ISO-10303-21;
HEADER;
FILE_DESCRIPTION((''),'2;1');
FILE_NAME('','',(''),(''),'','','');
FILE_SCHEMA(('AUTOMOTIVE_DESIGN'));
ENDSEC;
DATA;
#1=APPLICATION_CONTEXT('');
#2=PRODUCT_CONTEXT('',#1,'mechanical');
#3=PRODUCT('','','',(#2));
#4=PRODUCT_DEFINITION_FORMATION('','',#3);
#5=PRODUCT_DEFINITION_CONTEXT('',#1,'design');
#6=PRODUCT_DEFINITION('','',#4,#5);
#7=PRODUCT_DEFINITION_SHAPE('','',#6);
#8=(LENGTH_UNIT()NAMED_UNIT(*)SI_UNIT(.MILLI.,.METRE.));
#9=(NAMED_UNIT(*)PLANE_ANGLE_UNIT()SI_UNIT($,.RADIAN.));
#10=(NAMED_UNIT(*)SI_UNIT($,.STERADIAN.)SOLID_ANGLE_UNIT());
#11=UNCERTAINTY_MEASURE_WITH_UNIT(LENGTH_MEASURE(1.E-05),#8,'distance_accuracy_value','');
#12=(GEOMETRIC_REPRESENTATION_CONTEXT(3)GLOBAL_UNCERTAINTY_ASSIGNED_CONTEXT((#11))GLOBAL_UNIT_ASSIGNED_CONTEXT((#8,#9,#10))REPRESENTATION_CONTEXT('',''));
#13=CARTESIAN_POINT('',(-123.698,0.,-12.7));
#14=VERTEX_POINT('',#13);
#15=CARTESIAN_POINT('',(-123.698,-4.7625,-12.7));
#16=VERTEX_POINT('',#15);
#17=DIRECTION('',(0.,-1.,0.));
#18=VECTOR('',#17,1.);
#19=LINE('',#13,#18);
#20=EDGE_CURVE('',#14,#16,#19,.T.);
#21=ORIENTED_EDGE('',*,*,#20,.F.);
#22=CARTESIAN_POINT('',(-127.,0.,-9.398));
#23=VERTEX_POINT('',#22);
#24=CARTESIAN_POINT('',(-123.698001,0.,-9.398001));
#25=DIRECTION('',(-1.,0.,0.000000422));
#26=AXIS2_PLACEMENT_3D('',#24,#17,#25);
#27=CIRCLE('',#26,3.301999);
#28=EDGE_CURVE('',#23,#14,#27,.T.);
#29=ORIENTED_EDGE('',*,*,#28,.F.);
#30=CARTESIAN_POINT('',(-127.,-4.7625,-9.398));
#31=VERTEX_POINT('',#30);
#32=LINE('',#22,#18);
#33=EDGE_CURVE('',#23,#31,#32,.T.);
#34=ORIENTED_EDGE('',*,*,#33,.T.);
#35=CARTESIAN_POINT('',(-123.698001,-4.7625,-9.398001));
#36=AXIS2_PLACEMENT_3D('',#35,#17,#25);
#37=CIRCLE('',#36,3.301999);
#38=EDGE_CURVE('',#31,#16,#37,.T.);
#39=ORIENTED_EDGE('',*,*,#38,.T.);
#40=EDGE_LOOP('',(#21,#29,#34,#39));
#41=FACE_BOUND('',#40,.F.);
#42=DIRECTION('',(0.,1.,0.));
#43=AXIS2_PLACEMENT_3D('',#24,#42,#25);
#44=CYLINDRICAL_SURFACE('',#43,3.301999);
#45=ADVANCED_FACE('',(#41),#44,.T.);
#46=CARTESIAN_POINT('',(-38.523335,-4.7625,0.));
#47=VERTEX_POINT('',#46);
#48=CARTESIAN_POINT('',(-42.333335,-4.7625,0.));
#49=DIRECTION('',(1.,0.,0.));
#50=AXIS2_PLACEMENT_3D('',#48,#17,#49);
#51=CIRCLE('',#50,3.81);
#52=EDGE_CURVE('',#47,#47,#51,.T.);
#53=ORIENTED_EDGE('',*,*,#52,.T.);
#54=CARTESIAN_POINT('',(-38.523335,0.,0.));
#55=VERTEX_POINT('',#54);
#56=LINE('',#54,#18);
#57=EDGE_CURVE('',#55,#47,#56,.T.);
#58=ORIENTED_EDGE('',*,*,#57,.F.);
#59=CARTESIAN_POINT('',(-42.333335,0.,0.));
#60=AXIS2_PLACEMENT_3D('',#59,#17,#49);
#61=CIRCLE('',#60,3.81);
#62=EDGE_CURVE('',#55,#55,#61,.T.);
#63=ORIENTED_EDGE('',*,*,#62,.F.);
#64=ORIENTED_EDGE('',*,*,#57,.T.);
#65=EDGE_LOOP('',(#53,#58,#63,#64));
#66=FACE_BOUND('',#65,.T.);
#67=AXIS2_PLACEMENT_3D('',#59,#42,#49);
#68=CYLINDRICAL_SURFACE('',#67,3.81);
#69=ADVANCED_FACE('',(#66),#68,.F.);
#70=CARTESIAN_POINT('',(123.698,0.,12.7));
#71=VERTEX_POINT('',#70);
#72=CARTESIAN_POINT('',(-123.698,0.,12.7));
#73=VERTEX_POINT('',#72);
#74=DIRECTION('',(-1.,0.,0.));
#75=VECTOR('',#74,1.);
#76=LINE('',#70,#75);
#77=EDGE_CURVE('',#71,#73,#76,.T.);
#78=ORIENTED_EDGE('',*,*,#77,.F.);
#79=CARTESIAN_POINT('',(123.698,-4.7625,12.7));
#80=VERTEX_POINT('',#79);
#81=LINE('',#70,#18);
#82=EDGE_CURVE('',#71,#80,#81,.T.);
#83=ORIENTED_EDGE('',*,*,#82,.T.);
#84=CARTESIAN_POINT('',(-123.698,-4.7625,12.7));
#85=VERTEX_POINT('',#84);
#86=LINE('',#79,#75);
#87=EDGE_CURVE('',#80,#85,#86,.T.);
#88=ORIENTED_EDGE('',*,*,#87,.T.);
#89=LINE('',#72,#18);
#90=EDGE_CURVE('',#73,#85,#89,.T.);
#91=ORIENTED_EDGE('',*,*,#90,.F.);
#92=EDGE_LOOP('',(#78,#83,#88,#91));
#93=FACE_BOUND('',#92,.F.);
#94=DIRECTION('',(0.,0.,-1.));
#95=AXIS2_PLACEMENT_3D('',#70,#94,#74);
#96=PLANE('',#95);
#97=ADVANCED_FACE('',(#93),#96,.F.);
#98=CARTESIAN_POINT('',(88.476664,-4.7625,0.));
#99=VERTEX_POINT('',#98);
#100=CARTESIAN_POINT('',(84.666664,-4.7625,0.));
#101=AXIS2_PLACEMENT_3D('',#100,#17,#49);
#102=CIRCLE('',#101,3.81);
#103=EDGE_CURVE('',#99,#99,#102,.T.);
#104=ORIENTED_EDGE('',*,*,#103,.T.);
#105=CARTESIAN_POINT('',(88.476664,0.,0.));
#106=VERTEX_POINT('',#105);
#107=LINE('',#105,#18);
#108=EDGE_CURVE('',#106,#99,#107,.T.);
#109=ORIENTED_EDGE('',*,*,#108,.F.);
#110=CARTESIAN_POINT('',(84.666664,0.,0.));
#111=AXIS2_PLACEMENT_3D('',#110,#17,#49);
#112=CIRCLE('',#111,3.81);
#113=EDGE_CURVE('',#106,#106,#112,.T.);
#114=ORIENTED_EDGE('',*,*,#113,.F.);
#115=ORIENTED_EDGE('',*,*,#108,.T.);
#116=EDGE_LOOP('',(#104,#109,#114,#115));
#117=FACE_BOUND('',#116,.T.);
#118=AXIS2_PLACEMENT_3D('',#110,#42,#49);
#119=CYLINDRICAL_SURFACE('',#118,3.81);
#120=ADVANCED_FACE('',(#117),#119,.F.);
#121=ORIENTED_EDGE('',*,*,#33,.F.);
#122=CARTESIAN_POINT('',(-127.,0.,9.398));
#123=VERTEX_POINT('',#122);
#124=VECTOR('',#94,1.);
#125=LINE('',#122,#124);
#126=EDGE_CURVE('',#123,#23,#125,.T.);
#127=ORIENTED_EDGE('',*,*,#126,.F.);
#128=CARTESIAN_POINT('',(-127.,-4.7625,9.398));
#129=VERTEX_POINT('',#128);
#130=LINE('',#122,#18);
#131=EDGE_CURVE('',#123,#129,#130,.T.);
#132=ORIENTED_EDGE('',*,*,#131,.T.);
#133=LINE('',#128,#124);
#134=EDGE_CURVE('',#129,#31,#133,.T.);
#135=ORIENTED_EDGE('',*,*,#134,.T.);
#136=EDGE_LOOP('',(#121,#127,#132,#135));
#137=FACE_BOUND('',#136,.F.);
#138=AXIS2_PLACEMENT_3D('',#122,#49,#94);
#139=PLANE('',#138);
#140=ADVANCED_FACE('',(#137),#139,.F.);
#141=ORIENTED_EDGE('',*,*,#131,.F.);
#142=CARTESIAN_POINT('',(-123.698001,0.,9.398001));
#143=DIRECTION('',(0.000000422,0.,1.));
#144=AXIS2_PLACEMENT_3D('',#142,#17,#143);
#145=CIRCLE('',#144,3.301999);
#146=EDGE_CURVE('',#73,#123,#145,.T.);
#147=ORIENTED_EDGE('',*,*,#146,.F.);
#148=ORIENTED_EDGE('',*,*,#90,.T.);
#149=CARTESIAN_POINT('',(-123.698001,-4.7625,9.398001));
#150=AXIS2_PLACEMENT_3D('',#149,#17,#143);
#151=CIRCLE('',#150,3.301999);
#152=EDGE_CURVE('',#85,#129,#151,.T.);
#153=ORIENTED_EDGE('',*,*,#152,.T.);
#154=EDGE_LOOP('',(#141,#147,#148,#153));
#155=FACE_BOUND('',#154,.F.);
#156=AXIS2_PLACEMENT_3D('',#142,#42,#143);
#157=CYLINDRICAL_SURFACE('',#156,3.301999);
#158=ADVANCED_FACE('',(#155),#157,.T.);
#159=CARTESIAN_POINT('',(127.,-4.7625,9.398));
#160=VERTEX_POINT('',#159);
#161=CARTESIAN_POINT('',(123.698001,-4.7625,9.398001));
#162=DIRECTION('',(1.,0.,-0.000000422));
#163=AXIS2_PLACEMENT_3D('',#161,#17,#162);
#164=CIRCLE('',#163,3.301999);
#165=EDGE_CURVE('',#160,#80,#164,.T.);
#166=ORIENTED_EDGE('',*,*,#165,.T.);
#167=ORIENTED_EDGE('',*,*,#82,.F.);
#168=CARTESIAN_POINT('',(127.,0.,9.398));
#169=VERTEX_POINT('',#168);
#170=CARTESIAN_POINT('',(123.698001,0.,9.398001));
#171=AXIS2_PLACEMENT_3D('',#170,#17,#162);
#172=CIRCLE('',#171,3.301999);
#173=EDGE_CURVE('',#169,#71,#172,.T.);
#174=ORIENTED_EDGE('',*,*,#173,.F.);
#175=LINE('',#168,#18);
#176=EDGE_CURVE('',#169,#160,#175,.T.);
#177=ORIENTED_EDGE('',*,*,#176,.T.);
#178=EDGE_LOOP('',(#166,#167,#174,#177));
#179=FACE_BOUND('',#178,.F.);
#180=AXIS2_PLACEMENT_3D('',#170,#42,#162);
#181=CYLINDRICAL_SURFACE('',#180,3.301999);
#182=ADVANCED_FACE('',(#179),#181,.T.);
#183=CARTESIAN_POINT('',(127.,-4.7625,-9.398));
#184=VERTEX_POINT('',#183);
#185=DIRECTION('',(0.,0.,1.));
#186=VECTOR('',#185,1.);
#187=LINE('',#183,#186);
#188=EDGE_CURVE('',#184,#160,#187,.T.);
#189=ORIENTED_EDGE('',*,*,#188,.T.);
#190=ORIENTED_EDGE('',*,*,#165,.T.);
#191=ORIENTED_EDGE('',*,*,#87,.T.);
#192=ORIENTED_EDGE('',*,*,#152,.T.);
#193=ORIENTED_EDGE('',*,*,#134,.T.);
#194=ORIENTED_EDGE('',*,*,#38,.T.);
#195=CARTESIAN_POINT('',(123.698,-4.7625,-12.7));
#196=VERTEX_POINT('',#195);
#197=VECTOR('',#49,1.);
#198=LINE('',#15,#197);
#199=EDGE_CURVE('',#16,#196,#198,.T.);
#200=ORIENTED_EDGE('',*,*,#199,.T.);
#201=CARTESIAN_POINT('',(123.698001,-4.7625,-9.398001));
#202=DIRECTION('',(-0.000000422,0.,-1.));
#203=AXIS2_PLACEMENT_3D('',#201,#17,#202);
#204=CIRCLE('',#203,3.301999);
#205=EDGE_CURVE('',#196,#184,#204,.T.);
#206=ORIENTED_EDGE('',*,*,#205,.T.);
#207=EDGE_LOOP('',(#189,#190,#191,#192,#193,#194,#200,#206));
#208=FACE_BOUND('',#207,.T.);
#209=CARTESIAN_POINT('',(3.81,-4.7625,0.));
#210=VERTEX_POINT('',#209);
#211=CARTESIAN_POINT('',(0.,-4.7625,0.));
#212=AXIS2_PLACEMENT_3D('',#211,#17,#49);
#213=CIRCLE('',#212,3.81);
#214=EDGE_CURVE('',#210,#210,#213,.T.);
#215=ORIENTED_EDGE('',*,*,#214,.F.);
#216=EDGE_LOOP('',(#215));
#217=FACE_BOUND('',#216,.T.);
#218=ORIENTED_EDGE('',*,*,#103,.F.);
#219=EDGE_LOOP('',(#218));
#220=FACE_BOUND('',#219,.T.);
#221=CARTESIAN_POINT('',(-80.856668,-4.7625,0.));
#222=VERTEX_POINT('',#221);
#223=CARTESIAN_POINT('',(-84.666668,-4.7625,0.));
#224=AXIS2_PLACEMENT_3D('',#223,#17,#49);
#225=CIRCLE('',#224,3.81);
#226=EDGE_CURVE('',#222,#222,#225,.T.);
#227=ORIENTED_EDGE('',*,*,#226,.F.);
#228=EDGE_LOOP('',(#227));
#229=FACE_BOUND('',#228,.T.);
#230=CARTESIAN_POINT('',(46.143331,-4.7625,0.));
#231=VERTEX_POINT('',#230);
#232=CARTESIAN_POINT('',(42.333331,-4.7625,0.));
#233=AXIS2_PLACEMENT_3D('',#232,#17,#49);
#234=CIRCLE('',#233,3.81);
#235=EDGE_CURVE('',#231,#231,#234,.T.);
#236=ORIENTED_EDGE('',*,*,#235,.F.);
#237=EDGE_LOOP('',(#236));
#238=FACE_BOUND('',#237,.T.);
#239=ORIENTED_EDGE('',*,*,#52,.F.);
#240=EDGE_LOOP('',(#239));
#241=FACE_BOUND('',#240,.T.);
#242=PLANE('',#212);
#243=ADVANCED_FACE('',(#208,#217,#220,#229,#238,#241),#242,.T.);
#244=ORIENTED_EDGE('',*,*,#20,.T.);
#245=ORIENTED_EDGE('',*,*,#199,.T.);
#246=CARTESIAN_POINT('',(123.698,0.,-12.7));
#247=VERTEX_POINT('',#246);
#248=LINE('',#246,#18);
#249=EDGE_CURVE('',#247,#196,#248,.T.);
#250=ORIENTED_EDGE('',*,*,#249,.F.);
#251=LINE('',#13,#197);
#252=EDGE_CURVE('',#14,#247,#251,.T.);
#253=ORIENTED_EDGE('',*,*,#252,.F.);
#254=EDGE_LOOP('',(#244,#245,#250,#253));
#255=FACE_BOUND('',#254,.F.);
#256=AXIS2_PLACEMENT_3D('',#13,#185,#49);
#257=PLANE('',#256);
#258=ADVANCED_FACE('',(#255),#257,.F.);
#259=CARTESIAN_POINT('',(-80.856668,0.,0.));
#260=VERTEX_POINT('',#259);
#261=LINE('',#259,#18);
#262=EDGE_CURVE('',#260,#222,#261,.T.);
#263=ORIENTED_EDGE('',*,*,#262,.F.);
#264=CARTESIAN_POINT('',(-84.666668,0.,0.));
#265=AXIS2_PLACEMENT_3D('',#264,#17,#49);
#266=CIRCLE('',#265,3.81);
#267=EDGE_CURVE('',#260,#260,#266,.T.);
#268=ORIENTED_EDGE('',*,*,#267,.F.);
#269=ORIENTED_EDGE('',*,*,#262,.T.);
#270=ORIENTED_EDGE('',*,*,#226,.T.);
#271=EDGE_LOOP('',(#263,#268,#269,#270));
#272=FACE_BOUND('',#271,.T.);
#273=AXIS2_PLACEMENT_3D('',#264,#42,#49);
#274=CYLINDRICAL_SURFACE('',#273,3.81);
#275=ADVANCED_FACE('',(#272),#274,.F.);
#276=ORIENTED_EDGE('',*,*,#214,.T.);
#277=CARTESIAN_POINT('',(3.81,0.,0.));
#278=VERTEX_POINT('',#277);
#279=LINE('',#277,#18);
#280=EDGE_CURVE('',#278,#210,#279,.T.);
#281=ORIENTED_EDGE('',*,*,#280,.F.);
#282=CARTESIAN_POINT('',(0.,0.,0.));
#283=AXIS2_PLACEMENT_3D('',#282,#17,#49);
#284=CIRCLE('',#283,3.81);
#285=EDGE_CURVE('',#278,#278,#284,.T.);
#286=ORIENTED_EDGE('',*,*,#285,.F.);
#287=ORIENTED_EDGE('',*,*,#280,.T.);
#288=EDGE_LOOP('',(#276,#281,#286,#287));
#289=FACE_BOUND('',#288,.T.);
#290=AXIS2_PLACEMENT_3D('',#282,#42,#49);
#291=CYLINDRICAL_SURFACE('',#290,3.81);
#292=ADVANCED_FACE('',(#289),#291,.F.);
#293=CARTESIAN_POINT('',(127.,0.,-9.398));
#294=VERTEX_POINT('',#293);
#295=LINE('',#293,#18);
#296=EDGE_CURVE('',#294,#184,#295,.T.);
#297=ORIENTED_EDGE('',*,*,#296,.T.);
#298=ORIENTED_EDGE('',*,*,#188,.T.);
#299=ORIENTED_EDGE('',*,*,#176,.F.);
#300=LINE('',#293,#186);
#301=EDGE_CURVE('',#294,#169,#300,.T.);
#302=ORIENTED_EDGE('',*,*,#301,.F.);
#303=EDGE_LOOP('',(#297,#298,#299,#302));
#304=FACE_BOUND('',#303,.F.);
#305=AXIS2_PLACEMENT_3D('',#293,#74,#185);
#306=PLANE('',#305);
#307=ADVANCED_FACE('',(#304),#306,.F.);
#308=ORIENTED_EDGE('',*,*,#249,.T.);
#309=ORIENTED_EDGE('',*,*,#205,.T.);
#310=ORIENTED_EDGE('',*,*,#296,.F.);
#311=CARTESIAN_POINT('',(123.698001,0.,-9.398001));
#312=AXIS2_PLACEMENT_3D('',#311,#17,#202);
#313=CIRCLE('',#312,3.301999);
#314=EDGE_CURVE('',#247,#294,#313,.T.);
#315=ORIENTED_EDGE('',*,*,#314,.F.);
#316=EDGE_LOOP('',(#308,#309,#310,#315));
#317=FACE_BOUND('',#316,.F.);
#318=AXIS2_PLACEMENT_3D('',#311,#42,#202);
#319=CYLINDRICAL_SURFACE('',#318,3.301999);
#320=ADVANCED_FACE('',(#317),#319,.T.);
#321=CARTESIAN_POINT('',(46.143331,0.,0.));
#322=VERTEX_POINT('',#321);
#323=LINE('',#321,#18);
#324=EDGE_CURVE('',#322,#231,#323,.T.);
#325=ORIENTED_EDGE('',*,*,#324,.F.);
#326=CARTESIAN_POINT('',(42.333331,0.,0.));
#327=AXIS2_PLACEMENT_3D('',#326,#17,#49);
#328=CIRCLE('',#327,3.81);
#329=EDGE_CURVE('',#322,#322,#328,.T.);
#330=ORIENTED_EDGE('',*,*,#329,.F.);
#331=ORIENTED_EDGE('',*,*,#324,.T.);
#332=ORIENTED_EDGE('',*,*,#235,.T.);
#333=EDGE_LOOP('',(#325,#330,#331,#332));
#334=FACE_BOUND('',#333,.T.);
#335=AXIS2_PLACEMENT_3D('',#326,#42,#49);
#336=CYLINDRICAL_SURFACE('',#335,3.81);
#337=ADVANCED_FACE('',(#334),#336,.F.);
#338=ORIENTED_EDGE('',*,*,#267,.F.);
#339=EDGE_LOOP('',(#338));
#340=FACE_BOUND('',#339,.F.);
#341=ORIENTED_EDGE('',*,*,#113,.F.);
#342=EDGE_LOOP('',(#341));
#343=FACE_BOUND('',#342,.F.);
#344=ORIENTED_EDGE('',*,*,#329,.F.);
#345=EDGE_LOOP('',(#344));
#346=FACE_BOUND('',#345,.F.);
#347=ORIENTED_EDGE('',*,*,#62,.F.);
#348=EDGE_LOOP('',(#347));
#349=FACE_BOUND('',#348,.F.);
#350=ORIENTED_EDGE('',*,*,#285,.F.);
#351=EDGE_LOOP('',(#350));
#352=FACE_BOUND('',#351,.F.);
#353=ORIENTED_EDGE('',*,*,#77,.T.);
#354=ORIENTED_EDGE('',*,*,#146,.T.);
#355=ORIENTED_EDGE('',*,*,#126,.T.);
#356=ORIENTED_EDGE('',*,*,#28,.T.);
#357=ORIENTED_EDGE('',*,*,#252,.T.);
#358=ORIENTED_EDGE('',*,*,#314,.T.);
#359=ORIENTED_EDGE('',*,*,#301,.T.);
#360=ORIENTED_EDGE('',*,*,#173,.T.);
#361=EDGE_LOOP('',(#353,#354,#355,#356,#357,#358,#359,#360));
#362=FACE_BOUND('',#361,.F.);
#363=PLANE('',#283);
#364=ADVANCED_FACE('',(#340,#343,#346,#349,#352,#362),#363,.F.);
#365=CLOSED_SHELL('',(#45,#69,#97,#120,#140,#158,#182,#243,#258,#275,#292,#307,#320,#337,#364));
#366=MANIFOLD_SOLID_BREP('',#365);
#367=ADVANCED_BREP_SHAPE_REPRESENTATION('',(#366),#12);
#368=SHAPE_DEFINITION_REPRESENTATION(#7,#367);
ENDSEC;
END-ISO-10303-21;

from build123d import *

# Parameters (mm, degrees)
F0_R     = 3.81
F1_DEPTH = 4.7625


with BuildPart() as f1:
    # F0 (on Front) → F1 (new body)
    with BuildSketch(Plane.XZ):
        with BuildLine():
            ThreePointArc((127, 9.398), (126.032867, 11.732867), (123.698, 12.7))
            Line((123.698, 12.7), (-123.698, 12.7))
            ThreePointArc((-123.698, 12.7), (-126.032867, 11.732867), (-127, 9.398))
            Line((-127, 9.398), (-127, -9.398))
            ThreePointArc((-127, -9.398), (-126.032867, -11.732867), (-123.698, -12.7))
            Line((-123.698, -12.7), (123.698, -12.7))
            ThreePointArc((123.698, -12.7), (126.032867, -11.732867), (127, -9.398))
            Line((127, -9.398), (127, 9.398))
        make_face()
        with Locations((-84.666668, 0)):
            Circle(F0_R, mode=Mode.SUBTRACT)
        with Locations((-42.333335, 0)):
            Circle(F0_R, mode=Mode.SUBTRACT)
        with Locations((-2e-06, 0)):
            Circle(F0_R, mode=Mode.SUBTRACT)
        with Locations((42.333331, 0)):
            Circle(F0_R, mode=Mode.SUBTRACT)
        with Locations((84.666664, 0)):
            Circle(F0_R, mode=Mode.SUBTRACT)
    extrude(amount=F1_DEPTH)


solid = f1.part
